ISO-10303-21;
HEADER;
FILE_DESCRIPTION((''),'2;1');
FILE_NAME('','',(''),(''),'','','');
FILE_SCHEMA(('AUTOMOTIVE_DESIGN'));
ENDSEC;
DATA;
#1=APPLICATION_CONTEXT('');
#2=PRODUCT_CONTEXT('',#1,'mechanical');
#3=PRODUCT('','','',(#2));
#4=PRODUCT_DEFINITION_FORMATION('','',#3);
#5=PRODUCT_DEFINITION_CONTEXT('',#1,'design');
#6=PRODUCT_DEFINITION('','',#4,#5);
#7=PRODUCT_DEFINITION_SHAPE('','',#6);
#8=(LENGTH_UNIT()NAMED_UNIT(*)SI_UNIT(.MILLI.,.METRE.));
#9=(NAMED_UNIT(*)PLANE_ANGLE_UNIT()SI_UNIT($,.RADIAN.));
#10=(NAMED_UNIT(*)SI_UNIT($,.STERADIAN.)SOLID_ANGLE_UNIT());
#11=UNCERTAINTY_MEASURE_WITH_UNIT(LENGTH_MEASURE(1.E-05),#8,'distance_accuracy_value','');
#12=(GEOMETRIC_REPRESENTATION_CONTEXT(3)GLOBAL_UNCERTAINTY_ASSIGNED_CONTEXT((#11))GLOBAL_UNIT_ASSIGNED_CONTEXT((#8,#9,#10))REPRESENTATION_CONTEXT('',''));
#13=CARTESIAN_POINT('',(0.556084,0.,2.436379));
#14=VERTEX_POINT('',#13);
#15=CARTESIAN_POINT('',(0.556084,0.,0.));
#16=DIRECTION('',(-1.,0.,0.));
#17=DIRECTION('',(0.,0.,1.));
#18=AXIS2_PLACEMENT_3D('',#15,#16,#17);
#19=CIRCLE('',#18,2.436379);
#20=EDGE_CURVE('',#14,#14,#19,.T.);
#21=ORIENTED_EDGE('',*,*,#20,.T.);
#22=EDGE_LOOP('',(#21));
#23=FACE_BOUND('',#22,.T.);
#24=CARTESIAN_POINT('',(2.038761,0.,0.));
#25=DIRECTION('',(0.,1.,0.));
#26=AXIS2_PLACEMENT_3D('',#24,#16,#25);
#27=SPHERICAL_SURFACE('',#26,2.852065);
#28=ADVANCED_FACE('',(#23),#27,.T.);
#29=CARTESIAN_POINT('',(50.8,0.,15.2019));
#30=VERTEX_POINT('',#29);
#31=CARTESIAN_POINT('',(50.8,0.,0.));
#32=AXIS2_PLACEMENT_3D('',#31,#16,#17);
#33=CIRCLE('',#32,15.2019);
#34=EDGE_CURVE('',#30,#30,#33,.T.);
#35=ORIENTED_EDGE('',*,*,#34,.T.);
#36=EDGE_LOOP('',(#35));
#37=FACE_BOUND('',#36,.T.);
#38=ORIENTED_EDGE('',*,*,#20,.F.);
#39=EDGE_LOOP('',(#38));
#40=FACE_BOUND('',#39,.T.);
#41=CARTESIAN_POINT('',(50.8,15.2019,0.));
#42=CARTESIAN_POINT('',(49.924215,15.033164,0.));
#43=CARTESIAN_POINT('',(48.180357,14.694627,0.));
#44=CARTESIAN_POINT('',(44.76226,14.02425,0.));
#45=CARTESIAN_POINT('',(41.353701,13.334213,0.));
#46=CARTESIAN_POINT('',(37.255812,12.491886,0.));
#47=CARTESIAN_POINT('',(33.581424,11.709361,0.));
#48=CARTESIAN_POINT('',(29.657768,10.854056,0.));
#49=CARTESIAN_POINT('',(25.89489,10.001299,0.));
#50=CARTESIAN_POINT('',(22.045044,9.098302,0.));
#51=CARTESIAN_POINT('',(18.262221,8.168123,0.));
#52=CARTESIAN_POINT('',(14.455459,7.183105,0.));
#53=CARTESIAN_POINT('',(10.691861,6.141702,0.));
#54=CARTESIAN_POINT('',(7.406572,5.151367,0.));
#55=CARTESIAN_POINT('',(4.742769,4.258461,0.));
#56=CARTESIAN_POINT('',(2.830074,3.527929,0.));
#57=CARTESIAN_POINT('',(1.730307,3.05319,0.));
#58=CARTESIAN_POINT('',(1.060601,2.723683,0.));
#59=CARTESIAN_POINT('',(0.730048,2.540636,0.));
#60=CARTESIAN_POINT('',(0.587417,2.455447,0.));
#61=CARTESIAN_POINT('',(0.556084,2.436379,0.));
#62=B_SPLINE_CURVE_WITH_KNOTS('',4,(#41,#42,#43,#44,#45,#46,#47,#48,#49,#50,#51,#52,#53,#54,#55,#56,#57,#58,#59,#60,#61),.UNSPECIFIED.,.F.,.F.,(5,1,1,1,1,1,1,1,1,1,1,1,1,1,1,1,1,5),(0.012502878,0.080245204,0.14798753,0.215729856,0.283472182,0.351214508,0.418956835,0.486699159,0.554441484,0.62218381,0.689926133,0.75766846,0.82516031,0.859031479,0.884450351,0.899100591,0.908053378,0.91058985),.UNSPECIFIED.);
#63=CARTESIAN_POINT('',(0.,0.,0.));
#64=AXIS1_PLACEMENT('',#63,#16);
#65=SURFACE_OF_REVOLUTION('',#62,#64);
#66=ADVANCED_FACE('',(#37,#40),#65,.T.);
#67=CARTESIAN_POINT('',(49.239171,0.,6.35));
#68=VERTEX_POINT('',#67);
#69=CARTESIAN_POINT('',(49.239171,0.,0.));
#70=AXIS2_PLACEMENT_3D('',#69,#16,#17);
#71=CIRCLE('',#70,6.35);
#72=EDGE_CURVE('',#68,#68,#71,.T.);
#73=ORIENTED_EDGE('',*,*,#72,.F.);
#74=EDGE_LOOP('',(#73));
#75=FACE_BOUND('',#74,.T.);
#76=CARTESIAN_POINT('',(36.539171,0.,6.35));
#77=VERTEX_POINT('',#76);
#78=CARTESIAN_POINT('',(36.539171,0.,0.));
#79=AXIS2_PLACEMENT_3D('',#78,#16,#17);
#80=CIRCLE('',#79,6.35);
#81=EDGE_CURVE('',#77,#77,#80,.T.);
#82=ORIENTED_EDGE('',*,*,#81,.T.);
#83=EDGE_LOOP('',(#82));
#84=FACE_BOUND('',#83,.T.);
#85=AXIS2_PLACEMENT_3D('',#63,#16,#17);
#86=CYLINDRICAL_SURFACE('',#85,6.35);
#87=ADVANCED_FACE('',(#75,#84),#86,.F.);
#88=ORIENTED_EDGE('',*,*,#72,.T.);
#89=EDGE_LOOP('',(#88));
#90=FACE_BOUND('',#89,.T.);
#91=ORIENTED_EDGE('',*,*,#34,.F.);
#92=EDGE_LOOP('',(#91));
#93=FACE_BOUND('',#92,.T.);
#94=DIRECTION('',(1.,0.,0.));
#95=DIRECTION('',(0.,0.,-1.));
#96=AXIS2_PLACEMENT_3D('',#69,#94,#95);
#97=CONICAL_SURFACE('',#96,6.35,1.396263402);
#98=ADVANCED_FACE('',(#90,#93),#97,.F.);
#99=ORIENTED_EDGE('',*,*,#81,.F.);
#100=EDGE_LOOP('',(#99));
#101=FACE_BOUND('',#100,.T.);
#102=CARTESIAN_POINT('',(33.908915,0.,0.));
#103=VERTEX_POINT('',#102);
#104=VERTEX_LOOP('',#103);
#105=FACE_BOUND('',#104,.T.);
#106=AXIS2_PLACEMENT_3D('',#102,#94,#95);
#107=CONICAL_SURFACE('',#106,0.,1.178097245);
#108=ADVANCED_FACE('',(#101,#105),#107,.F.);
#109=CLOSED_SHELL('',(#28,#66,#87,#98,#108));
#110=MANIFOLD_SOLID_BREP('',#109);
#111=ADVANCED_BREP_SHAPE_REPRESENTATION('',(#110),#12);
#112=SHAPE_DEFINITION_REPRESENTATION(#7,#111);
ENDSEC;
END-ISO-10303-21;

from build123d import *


with BuildPart() as part:
    # Sketch1 → Revolve1 (revolve)
    with BuildSketch(Plane.XY):
        with BuildLine():
            Line((33.908915079, 0), (-0.813304081, 0))
            ThreePointArc((-0.813304081, 0), (-0.447497983, 1.39742314), (0.556083667, 2.436379061))
            add(Edge.make_bspline(
                [(0.556083667, 2.436379061), (0.587417187, 2.455447316), (0.730047937, 2.54063648), (1.060600926, 2.723683459), (1.730307027, 3.053190151), (2.830074194, 3.527928934), (4.742769422, 4.258461085), (7.406572033, 5.151366902), (10.691861252, 6.141701799), (14.455458928, 7.183105108), (18.262220651, 8.168123108), (22.04504351, 9.098301543), (25.894890249, 10.001298738), (29.657767863, 10.854056209), (33.581423629, 11.709360696), (37.255812472, 12.491885628), (41.353700577, 13.334213197), (44.762260463, 14.024249725), (48.180356557, 14.694626674), (49.924215261, 15.033164301), (50.8, 15.2019)],
                knots=[0.012502878, 0.012502878, 0.012502878, 0.012502878, 0.012502878, 0.015039351, 0.023992138, 0.038642378, 0.064061249, 0.097932419, 0.165424269, 0.233166596, 0.300908919, 0.368651244, 0.436393569, 0.504135894, 0.571878221, 0.639620547, 0.707362872, 0.775105198, 0.842847524, 0.91058985, 0.91058985, 0.91058985, 0.91058985, 0.91058985], degree=4))
            Line((50.8, 15.2019), (49.2391712, 6.35))
            Line((49.2391712, 6.35), (36.5391712, 6.35))
            Line((36.5391712, 6.35), (33.908915079, 0))
        make_face()
    revolve(axis=Axis((0, 0, 0), (1, 0, 0)))


solid = part.part
